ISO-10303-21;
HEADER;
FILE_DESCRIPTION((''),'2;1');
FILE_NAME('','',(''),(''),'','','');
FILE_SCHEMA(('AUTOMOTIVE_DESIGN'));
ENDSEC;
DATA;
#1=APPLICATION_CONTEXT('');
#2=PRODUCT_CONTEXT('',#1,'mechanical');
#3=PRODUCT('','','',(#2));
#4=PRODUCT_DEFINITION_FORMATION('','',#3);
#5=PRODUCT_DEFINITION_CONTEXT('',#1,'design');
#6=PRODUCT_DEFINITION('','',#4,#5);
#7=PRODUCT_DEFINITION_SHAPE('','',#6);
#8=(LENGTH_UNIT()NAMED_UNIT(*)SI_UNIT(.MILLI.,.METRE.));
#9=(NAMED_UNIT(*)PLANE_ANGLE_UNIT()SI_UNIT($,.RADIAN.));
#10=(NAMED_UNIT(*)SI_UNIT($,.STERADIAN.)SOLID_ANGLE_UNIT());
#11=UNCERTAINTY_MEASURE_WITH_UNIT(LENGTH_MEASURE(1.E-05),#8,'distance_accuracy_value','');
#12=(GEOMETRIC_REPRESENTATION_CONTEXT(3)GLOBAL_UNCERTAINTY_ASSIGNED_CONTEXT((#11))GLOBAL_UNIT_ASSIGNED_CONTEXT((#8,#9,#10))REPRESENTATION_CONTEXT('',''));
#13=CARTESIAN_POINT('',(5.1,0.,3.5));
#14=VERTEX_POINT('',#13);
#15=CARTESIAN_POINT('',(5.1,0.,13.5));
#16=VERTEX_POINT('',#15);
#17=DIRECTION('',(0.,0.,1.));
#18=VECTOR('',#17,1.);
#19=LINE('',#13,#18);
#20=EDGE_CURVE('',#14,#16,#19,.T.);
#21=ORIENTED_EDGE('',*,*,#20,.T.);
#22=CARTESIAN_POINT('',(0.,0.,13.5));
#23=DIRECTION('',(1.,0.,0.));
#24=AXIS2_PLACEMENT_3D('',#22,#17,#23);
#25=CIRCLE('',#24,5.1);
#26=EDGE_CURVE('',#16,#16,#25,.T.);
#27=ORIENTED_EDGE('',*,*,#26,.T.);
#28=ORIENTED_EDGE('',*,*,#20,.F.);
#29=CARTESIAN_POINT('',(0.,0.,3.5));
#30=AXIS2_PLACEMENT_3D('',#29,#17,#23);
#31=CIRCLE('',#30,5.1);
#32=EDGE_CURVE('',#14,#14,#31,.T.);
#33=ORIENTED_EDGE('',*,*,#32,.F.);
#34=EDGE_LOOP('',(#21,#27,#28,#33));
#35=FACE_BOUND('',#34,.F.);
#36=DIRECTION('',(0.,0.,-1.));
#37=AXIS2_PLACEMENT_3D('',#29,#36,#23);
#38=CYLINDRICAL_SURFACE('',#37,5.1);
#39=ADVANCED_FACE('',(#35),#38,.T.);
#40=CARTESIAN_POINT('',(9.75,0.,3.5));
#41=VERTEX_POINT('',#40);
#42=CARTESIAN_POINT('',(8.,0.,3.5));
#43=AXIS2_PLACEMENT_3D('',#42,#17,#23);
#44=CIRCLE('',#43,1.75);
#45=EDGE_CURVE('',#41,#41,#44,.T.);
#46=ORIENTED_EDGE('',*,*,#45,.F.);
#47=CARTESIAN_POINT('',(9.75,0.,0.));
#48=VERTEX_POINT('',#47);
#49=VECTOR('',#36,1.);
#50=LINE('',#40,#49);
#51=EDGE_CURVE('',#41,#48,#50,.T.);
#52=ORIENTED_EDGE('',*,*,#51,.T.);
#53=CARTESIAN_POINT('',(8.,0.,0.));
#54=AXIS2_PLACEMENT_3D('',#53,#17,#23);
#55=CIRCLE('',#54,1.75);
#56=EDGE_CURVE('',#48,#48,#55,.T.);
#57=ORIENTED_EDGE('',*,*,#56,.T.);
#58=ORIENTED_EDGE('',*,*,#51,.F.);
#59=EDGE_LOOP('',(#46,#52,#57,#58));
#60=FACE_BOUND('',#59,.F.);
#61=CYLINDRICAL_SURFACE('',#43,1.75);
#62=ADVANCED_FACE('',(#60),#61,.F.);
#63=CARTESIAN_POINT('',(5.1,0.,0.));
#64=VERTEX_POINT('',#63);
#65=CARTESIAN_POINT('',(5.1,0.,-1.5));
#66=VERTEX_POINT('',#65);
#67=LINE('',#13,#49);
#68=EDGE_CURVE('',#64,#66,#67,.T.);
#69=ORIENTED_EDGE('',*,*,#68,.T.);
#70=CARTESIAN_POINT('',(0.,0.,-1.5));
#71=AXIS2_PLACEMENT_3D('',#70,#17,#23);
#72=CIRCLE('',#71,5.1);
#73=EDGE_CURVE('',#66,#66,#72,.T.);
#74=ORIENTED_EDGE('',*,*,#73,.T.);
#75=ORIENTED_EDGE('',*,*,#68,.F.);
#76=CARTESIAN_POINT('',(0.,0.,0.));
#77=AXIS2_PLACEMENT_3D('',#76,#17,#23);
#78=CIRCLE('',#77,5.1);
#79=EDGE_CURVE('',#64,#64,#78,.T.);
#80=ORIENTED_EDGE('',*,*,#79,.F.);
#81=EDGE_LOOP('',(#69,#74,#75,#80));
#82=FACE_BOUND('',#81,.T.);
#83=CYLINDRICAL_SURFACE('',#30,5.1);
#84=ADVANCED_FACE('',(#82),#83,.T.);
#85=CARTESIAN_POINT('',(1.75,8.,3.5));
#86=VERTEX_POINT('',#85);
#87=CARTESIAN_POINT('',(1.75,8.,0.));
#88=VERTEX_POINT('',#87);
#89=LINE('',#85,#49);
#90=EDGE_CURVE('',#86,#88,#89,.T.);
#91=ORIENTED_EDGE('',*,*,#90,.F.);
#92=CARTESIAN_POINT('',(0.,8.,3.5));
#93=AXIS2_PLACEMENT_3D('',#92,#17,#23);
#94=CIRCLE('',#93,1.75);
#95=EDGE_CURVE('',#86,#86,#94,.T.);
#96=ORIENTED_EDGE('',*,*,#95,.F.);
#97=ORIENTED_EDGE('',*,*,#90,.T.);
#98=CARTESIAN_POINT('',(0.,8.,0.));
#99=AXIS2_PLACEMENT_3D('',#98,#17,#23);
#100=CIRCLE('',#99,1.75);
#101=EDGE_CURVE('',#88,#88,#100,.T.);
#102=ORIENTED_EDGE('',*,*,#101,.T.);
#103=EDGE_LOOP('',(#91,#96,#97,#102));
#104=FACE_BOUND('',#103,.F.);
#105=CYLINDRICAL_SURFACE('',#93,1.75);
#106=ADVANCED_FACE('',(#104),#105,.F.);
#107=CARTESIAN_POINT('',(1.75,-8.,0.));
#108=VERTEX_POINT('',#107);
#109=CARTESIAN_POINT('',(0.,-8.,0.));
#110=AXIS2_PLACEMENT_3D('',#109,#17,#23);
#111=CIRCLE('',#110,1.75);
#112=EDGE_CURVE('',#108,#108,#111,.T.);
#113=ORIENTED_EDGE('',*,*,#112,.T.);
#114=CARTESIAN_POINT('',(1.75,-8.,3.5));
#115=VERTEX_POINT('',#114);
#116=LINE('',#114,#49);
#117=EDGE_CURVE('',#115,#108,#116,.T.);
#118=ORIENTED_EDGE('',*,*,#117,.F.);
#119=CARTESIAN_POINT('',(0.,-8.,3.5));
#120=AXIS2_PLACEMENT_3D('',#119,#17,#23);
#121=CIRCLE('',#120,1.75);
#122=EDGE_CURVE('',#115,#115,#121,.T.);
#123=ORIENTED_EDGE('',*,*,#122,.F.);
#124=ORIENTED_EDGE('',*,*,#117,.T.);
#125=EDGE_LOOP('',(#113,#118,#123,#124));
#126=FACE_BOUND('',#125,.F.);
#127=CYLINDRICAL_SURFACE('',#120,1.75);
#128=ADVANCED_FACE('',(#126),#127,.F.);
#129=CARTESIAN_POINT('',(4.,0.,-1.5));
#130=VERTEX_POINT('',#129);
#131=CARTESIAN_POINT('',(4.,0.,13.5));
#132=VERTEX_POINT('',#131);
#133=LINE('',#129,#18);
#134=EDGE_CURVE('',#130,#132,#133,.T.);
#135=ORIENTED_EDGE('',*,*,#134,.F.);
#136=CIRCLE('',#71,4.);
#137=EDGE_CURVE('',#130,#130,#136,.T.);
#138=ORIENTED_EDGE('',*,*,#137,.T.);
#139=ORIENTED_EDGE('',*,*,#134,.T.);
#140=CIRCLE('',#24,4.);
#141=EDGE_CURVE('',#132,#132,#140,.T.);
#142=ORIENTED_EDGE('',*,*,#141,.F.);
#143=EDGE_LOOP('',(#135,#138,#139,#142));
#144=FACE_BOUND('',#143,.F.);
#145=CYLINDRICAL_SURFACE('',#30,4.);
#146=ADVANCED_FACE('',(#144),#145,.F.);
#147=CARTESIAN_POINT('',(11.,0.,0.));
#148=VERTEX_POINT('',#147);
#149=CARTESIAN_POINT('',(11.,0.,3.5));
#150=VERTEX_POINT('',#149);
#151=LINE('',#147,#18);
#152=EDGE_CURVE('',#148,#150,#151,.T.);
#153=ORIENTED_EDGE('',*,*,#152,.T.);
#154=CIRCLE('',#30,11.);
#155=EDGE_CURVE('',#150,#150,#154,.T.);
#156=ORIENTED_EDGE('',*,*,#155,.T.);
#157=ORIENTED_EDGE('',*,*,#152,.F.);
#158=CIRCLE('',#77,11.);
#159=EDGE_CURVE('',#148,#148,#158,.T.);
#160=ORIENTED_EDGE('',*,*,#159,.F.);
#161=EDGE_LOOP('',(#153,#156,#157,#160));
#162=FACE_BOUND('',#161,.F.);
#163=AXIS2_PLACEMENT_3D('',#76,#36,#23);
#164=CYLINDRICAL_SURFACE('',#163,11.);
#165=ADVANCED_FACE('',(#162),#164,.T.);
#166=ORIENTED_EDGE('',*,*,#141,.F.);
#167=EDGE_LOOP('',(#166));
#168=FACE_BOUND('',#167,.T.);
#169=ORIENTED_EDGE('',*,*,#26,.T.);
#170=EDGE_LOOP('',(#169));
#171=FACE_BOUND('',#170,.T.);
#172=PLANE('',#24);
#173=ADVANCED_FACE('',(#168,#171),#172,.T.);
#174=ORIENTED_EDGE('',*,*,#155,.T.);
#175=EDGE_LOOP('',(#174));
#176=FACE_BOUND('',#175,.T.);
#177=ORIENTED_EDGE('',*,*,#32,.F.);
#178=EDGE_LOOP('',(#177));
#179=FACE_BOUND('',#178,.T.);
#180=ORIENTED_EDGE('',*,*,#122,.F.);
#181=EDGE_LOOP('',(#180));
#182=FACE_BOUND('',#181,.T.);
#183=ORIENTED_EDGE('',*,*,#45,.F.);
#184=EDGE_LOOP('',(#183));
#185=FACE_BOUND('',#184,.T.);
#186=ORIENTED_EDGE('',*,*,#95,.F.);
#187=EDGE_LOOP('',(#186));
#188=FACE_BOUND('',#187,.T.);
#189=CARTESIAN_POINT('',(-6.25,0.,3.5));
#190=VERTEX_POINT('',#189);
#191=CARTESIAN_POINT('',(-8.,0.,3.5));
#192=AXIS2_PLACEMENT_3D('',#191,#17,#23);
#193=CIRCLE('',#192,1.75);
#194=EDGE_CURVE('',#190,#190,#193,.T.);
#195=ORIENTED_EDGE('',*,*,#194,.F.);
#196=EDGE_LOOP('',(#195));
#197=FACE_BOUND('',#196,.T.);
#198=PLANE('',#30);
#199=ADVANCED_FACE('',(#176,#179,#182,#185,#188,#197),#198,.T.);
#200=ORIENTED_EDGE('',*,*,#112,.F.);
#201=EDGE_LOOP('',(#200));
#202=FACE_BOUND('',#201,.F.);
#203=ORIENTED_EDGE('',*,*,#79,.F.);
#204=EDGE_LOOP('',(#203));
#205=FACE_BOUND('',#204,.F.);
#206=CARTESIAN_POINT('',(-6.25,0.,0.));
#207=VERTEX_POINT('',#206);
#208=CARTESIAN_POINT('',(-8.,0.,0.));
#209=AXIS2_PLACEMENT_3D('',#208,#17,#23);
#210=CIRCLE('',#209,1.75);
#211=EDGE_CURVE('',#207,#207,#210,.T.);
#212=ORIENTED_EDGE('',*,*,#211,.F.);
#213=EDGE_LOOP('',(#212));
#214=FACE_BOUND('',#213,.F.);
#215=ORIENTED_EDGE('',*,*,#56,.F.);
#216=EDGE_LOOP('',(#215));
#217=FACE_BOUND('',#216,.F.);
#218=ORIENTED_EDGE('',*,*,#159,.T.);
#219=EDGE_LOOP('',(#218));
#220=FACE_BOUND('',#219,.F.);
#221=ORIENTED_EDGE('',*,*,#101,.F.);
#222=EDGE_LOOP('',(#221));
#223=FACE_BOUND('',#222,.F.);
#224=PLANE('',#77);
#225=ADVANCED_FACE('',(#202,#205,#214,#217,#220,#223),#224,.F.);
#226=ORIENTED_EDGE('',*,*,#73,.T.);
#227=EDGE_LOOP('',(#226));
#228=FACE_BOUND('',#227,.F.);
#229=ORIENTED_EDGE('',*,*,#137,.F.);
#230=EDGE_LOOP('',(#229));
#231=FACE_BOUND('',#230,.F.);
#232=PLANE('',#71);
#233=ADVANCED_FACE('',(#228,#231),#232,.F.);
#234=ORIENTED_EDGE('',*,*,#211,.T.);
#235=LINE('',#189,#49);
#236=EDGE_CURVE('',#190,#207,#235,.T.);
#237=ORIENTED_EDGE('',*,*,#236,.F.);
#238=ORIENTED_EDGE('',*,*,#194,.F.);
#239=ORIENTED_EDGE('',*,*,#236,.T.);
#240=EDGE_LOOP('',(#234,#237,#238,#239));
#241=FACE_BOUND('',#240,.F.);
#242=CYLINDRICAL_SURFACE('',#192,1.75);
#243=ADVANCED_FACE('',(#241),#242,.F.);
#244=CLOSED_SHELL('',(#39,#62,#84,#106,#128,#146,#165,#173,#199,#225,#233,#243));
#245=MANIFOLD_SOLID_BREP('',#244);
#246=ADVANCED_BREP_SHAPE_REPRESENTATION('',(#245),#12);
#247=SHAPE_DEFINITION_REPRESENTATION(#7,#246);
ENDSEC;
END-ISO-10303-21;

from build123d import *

# Parameters (mm, degrees)
SKETCH1_R                = 11
BOSS_EXTRUDE1_DEPTH      = 3.5
SKETCH2_R                = 4
CUT_EXTRUDE3_DEPTH       = 4.5
SKETCH7_R                = 5.1
SKETCH7_R_2              = 4
BOSS_EXTRUDE3_DEPTH      = 10
BOSS_EXTRUDE3_DEPTH_BACK = 5
SKETCH10_R               = 1.75
CUT_EXTRUDE4_DEPTH       = 6


with BuildPart() as part:
    # Sketch1 → Boss-Extrude1 (new body)
    with BuildSketch(Plane.XY):
        Circle(SKETCH1_R)
    extrude(amount=BOSS_EXTRUDE1_DEPTH)

    # Sketch2 → Cut-Extrude3 (cut, through all)
    with BuildSketch(Plane.XY.offset(3.5)):
        Circle(SKETCH2_R)
    extrude(amount=-CUT_EXTRUDE3_DEPTH, mode=Mode.SUBTRACT)

    # Sketch7 → Boss-Extrude3 (add, two sides)
    with BuildSketch(Plane.XY.offset(3.5)) as boss_extrude3_sk:
        Circle(SKETCH7_R)
        Circle(SKETCH7_R_2, mode=Mode.SUBTRACT)
    extrude(amount=BOSS_EXTRUDE3_DEPTH)
    extrude(boss_extrude3_sk.sketch, amount=-BOSS_EXTRUDE3_DEPTH_BACK)

    # Sketch10 → Cut-Extrude4 (cut, through all)
    with BuildSketch(Plane.XY.offset(3.5)):
        with Locations((8, 0)):
            Circle(SKETCH10_R)
        with Locations((0, -8)):
            Circle(SKETCH10_R)
        with Locations((0, 8)):
            Circle(SKETCH10_R)
        with Locations((-8, 0)):
            Circle(SKETCH10_R)
    extrude(amount=-CUT_EXTRUDE4_DEPTH, mode=Mode.SUBTRACT)


solid = part.part
